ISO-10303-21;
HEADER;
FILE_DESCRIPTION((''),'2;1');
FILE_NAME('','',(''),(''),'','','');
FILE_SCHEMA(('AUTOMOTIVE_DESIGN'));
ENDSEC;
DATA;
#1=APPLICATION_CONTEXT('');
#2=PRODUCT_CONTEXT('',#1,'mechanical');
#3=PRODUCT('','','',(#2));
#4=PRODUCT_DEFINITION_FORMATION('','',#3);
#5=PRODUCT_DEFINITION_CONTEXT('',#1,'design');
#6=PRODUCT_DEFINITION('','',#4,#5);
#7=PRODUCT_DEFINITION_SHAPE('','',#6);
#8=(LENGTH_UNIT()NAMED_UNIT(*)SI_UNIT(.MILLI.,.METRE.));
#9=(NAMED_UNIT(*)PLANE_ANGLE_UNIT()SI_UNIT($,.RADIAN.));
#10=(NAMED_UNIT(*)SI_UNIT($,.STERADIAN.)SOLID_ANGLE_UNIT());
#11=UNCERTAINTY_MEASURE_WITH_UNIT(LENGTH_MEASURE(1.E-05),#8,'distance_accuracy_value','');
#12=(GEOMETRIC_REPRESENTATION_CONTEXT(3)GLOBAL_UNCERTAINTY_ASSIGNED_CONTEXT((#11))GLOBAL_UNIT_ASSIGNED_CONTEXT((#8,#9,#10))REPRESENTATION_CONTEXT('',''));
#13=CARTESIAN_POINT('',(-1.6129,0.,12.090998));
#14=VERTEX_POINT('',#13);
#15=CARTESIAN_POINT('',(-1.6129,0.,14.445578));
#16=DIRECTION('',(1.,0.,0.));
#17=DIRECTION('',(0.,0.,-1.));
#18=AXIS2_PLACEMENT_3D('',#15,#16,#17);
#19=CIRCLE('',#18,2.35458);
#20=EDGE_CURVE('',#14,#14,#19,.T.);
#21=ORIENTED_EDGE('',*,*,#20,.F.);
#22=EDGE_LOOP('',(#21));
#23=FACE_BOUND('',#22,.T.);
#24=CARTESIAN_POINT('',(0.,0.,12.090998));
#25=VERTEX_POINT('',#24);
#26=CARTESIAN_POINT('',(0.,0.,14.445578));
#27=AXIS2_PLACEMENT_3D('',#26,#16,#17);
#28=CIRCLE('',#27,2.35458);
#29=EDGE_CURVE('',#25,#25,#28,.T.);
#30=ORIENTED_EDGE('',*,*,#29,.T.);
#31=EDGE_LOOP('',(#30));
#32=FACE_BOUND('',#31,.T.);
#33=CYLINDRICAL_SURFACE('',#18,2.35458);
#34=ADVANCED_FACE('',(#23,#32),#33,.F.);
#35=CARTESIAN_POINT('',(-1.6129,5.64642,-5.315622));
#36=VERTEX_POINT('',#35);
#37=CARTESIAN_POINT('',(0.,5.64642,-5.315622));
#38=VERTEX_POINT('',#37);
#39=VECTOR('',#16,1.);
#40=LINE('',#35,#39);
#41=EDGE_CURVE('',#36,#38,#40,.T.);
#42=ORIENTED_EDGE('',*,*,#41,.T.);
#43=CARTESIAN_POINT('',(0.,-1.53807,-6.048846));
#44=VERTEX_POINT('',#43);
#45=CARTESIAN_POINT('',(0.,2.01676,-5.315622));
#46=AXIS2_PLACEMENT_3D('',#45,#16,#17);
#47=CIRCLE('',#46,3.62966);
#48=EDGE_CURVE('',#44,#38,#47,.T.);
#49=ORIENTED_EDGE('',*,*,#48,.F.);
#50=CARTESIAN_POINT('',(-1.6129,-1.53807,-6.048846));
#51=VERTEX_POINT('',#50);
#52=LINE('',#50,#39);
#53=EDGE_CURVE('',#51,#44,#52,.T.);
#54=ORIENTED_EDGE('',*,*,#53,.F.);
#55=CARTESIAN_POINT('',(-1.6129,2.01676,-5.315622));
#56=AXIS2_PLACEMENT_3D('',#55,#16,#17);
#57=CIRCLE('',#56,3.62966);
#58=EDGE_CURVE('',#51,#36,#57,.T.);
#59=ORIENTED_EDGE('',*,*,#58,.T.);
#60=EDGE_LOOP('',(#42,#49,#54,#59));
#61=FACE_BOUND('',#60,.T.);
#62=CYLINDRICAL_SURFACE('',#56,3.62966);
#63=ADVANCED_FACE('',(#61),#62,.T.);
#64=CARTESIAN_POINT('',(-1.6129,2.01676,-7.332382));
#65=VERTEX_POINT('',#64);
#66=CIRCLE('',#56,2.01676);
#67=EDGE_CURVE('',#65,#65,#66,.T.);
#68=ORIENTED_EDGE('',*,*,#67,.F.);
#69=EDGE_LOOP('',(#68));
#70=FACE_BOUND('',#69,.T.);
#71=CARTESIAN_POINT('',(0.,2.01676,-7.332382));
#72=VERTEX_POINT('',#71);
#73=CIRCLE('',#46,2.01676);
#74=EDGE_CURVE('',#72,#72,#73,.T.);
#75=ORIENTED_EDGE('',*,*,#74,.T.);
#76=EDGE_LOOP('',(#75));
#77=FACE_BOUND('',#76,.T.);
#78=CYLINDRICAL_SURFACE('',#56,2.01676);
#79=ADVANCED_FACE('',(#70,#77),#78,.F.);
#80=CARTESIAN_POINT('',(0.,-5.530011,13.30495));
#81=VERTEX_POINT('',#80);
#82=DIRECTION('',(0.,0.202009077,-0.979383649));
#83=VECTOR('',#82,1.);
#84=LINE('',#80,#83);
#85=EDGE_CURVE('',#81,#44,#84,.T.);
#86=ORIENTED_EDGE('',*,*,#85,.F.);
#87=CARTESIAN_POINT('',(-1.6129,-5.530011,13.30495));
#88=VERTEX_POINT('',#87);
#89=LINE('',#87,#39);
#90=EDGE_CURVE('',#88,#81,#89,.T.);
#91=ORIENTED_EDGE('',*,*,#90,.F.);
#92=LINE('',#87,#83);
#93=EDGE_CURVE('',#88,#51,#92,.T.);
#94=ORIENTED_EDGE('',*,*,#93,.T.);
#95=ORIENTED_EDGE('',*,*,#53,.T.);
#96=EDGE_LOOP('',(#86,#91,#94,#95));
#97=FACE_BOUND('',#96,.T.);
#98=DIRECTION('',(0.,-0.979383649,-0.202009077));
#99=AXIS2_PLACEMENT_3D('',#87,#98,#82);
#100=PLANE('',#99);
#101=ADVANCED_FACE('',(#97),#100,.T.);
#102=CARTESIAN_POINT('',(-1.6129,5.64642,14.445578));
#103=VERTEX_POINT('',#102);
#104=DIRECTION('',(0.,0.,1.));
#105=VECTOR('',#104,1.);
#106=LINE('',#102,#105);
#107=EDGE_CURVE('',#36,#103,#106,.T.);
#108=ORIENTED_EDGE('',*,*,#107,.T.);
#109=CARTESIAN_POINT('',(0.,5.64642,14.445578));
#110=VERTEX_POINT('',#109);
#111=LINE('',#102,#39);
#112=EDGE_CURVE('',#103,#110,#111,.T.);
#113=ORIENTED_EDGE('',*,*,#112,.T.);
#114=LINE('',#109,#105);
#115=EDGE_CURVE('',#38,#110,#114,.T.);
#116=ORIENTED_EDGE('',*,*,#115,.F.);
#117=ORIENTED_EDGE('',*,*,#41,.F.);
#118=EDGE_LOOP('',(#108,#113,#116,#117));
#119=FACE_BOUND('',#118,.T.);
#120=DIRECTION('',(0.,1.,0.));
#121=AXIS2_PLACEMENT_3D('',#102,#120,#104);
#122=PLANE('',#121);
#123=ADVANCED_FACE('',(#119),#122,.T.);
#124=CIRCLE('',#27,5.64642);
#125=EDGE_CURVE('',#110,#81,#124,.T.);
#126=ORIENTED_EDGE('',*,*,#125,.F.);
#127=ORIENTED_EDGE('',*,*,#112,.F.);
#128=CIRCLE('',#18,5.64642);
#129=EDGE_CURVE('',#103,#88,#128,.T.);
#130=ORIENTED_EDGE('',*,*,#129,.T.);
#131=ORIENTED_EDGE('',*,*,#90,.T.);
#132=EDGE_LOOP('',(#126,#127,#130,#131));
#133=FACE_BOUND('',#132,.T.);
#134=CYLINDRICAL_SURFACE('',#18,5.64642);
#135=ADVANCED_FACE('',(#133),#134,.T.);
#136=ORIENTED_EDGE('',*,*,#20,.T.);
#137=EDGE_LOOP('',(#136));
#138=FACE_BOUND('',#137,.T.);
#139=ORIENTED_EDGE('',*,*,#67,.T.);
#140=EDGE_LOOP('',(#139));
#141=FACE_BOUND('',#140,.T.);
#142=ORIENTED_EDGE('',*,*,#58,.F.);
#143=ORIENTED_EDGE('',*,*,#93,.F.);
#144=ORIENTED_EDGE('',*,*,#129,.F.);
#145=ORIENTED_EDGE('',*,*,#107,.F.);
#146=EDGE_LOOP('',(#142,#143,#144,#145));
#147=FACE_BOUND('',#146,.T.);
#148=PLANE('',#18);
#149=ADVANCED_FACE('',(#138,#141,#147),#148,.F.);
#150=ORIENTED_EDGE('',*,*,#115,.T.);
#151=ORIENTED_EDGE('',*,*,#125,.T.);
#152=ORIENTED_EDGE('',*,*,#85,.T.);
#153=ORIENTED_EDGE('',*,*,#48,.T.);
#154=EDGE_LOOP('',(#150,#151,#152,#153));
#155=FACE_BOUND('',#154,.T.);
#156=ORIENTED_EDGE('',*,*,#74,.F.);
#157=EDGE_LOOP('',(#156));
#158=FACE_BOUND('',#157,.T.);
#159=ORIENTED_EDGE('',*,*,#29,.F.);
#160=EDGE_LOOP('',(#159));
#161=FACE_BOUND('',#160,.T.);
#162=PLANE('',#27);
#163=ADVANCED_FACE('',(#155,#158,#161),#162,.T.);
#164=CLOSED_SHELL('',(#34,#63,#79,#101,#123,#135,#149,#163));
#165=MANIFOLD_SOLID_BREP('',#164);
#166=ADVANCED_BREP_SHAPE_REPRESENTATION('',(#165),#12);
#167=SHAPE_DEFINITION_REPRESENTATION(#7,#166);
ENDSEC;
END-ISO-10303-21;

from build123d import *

# Parameters (mm, degrees)
SKETCH1_R           = 2.35458
SKETCH1_R_2         = 2.01676
BOSS_EXTRUDE1_DEPTH = 1.6129


with BuildPart() as part:
    # Sketch1 → Boss-Extrude1 (new body)
    with BuildSketch(Plane(origin=(0, 0, 0), x_dir=(0, 0, -1), z_dir=(1, 0, 0))):
        with BuildLine():
            Line((-14.445578284, 5.64642), (5.315621716, 5.64642))
            ThreePointArc((5.315621716, 5.64642), (8.926525669, 2.385276419), (6.048845981, -1.538069657))
            Line((6.048845981, -1.538069657), (-13.304950193, -5.530011426))
            ThreePointArc((-13.304950193, -5.530011426), (-20.062820754, -0.573276417), (-14.445578284, 5.64642))
        make_face()
        with Locations((-14.445578284, 0)):
            Circle(SKETCH1_R, mode=Mode.SUBTRACT)
        with Locations((5.315621716, 2.01676)):
            Circle(SKETCH1_R_2, mode=Mode.SUBTRACT)
    extrude(amount=-BOSS_EXTRUDE1_DEPTH)


solid = part.part
